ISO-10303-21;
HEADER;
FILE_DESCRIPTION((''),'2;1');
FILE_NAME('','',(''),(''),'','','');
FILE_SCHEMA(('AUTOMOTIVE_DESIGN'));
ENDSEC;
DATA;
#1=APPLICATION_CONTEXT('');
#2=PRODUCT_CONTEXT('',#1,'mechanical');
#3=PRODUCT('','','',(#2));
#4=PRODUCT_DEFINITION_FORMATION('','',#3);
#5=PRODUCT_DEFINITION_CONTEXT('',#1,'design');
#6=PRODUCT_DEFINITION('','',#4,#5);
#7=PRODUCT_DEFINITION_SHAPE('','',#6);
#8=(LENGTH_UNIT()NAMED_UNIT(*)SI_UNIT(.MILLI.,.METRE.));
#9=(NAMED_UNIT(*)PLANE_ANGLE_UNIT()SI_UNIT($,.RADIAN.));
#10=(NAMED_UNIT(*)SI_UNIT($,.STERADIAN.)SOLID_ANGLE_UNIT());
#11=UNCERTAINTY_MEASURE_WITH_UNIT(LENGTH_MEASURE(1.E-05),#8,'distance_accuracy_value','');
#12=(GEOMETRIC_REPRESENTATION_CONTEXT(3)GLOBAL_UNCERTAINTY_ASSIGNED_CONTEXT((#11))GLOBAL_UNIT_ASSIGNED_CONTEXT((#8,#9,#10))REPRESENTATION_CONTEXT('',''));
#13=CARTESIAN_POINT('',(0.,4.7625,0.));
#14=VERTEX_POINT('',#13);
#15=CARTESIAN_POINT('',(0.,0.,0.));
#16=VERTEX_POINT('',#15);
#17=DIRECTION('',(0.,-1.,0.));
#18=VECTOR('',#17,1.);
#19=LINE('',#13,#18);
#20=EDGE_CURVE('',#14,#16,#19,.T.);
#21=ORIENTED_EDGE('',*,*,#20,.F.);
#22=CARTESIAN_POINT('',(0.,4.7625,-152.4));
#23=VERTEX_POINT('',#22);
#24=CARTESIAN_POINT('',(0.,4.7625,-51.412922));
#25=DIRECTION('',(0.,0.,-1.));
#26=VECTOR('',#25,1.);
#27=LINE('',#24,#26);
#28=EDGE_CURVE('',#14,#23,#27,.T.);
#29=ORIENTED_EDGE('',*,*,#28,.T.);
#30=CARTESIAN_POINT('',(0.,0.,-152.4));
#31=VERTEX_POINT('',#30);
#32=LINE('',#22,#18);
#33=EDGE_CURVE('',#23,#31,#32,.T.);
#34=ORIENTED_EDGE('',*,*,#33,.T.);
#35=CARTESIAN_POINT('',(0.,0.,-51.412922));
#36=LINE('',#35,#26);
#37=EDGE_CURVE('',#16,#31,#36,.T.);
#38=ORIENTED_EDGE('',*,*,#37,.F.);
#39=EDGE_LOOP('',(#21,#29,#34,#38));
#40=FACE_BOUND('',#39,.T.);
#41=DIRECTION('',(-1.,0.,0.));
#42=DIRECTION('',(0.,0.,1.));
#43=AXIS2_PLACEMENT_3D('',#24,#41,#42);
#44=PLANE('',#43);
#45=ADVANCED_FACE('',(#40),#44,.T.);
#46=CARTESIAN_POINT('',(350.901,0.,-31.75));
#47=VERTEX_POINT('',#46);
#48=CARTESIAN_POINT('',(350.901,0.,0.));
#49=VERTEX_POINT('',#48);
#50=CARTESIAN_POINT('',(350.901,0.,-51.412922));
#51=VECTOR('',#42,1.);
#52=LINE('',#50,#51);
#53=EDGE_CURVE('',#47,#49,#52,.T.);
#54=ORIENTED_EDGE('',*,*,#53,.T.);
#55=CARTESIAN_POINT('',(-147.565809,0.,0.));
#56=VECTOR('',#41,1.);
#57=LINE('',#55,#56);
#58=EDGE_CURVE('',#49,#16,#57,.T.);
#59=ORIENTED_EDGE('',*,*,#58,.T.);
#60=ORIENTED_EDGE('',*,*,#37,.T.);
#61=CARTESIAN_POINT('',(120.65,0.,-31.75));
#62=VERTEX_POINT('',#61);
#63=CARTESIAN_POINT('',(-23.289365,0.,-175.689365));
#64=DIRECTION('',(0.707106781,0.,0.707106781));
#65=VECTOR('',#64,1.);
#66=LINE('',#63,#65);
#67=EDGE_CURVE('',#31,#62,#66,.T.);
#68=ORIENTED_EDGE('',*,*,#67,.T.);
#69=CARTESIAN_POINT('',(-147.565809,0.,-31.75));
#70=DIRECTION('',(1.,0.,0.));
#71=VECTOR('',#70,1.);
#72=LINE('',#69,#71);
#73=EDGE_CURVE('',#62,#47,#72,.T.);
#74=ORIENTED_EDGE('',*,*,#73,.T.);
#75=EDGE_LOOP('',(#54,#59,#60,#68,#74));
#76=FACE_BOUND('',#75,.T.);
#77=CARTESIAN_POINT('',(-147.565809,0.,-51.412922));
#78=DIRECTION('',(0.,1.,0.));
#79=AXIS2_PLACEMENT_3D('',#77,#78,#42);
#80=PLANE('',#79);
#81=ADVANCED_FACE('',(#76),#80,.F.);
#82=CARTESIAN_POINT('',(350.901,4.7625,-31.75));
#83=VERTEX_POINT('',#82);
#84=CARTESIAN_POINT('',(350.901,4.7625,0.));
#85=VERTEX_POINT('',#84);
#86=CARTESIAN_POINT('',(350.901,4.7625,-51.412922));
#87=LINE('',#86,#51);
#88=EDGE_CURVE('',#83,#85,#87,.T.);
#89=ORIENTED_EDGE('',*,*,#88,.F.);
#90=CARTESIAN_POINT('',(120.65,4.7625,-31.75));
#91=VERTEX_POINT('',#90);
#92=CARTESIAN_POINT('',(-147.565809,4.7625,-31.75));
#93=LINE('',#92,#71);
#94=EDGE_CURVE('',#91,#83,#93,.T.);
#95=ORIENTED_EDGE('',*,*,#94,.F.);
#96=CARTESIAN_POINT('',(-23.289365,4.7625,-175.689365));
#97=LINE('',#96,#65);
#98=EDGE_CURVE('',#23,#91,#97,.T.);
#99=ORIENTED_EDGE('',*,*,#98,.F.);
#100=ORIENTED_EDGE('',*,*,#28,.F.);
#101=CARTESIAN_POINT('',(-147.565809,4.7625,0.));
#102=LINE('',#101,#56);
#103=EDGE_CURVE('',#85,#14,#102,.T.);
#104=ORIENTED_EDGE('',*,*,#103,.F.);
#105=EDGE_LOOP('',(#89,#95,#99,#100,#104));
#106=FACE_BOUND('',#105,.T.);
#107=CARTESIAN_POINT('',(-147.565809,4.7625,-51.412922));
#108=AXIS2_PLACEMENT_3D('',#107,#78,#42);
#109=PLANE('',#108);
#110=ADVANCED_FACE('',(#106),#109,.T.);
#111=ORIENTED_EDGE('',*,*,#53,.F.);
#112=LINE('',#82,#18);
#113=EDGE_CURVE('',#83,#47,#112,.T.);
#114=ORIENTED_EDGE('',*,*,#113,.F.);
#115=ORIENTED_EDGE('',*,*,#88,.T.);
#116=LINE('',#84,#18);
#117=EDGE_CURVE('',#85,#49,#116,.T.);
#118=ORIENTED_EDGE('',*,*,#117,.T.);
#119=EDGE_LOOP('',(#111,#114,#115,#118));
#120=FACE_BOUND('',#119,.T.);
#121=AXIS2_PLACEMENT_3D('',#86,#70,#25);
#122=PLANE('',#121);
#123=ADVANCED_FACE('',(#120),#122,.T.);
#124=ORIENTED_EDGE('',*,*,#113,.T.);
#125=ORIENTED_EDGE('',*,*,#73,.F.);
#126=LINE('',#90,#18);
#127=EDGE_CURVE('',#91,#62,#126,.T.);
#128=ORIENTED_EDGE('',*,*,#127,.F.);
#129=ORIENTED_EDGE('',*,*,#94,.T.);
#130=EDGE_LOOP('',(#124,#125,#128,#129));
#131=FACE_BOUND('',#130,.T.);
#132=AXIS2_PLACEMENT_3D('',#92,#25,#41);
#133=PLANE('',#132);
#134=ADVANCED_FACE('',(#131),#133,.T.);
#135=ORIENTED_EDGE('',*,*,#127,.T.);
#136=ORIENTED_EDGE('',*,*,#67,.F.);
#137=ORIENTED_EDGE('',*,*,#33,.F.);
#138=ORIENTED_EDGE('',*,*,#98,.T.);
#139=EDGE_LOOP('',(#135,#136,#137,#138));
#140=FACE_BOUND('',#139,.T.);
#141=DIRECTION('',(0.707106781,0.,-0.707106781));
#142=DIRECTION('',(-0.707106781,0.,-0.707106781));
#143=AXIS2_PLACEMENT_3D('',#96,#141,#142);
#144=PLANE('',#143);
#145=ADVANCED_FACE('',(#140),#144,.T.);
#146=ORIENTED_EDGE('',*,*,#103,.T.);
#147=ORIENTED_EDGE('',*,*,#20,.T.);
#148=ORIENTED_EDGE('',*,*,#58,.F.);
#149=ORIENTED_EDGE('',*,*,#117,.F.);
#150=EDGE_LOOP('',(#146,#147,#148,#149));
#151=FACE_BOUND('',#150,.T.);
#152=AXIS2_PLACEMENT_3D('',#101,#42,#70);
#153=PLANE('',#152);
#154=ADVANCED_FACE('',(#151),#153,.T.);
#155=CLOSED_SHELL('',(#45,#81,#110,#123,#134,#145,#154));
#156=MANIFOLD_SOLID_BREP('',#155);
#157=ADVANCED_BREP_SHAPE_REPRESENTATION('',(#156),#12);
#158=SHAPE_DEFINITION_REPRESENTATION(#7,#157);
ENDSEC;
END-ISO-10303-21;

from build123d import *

# Parameters (mm, degrees)
BOSS_EXTRUDE1_DEPTH = 4.7625


with BuildPart() as part:
    # Sketch1 → Boss-Extrude1 (new body)
    with BuildSketch(Plane(origin=(0, 0, 0), x_dir=(1, 0, 0), z_dir=(0, 1, 0))):
        Polygon((152.4, 0), (0, 0), (0, 152.4), align=None)
        Polygon((120.65, 31.75), (152.4, 0), (350.901, 0), (350.901, 31.75), align=None)
    extrude(amount=BOSS_EXTRUDE1_DEPTH)


solid = part.part
